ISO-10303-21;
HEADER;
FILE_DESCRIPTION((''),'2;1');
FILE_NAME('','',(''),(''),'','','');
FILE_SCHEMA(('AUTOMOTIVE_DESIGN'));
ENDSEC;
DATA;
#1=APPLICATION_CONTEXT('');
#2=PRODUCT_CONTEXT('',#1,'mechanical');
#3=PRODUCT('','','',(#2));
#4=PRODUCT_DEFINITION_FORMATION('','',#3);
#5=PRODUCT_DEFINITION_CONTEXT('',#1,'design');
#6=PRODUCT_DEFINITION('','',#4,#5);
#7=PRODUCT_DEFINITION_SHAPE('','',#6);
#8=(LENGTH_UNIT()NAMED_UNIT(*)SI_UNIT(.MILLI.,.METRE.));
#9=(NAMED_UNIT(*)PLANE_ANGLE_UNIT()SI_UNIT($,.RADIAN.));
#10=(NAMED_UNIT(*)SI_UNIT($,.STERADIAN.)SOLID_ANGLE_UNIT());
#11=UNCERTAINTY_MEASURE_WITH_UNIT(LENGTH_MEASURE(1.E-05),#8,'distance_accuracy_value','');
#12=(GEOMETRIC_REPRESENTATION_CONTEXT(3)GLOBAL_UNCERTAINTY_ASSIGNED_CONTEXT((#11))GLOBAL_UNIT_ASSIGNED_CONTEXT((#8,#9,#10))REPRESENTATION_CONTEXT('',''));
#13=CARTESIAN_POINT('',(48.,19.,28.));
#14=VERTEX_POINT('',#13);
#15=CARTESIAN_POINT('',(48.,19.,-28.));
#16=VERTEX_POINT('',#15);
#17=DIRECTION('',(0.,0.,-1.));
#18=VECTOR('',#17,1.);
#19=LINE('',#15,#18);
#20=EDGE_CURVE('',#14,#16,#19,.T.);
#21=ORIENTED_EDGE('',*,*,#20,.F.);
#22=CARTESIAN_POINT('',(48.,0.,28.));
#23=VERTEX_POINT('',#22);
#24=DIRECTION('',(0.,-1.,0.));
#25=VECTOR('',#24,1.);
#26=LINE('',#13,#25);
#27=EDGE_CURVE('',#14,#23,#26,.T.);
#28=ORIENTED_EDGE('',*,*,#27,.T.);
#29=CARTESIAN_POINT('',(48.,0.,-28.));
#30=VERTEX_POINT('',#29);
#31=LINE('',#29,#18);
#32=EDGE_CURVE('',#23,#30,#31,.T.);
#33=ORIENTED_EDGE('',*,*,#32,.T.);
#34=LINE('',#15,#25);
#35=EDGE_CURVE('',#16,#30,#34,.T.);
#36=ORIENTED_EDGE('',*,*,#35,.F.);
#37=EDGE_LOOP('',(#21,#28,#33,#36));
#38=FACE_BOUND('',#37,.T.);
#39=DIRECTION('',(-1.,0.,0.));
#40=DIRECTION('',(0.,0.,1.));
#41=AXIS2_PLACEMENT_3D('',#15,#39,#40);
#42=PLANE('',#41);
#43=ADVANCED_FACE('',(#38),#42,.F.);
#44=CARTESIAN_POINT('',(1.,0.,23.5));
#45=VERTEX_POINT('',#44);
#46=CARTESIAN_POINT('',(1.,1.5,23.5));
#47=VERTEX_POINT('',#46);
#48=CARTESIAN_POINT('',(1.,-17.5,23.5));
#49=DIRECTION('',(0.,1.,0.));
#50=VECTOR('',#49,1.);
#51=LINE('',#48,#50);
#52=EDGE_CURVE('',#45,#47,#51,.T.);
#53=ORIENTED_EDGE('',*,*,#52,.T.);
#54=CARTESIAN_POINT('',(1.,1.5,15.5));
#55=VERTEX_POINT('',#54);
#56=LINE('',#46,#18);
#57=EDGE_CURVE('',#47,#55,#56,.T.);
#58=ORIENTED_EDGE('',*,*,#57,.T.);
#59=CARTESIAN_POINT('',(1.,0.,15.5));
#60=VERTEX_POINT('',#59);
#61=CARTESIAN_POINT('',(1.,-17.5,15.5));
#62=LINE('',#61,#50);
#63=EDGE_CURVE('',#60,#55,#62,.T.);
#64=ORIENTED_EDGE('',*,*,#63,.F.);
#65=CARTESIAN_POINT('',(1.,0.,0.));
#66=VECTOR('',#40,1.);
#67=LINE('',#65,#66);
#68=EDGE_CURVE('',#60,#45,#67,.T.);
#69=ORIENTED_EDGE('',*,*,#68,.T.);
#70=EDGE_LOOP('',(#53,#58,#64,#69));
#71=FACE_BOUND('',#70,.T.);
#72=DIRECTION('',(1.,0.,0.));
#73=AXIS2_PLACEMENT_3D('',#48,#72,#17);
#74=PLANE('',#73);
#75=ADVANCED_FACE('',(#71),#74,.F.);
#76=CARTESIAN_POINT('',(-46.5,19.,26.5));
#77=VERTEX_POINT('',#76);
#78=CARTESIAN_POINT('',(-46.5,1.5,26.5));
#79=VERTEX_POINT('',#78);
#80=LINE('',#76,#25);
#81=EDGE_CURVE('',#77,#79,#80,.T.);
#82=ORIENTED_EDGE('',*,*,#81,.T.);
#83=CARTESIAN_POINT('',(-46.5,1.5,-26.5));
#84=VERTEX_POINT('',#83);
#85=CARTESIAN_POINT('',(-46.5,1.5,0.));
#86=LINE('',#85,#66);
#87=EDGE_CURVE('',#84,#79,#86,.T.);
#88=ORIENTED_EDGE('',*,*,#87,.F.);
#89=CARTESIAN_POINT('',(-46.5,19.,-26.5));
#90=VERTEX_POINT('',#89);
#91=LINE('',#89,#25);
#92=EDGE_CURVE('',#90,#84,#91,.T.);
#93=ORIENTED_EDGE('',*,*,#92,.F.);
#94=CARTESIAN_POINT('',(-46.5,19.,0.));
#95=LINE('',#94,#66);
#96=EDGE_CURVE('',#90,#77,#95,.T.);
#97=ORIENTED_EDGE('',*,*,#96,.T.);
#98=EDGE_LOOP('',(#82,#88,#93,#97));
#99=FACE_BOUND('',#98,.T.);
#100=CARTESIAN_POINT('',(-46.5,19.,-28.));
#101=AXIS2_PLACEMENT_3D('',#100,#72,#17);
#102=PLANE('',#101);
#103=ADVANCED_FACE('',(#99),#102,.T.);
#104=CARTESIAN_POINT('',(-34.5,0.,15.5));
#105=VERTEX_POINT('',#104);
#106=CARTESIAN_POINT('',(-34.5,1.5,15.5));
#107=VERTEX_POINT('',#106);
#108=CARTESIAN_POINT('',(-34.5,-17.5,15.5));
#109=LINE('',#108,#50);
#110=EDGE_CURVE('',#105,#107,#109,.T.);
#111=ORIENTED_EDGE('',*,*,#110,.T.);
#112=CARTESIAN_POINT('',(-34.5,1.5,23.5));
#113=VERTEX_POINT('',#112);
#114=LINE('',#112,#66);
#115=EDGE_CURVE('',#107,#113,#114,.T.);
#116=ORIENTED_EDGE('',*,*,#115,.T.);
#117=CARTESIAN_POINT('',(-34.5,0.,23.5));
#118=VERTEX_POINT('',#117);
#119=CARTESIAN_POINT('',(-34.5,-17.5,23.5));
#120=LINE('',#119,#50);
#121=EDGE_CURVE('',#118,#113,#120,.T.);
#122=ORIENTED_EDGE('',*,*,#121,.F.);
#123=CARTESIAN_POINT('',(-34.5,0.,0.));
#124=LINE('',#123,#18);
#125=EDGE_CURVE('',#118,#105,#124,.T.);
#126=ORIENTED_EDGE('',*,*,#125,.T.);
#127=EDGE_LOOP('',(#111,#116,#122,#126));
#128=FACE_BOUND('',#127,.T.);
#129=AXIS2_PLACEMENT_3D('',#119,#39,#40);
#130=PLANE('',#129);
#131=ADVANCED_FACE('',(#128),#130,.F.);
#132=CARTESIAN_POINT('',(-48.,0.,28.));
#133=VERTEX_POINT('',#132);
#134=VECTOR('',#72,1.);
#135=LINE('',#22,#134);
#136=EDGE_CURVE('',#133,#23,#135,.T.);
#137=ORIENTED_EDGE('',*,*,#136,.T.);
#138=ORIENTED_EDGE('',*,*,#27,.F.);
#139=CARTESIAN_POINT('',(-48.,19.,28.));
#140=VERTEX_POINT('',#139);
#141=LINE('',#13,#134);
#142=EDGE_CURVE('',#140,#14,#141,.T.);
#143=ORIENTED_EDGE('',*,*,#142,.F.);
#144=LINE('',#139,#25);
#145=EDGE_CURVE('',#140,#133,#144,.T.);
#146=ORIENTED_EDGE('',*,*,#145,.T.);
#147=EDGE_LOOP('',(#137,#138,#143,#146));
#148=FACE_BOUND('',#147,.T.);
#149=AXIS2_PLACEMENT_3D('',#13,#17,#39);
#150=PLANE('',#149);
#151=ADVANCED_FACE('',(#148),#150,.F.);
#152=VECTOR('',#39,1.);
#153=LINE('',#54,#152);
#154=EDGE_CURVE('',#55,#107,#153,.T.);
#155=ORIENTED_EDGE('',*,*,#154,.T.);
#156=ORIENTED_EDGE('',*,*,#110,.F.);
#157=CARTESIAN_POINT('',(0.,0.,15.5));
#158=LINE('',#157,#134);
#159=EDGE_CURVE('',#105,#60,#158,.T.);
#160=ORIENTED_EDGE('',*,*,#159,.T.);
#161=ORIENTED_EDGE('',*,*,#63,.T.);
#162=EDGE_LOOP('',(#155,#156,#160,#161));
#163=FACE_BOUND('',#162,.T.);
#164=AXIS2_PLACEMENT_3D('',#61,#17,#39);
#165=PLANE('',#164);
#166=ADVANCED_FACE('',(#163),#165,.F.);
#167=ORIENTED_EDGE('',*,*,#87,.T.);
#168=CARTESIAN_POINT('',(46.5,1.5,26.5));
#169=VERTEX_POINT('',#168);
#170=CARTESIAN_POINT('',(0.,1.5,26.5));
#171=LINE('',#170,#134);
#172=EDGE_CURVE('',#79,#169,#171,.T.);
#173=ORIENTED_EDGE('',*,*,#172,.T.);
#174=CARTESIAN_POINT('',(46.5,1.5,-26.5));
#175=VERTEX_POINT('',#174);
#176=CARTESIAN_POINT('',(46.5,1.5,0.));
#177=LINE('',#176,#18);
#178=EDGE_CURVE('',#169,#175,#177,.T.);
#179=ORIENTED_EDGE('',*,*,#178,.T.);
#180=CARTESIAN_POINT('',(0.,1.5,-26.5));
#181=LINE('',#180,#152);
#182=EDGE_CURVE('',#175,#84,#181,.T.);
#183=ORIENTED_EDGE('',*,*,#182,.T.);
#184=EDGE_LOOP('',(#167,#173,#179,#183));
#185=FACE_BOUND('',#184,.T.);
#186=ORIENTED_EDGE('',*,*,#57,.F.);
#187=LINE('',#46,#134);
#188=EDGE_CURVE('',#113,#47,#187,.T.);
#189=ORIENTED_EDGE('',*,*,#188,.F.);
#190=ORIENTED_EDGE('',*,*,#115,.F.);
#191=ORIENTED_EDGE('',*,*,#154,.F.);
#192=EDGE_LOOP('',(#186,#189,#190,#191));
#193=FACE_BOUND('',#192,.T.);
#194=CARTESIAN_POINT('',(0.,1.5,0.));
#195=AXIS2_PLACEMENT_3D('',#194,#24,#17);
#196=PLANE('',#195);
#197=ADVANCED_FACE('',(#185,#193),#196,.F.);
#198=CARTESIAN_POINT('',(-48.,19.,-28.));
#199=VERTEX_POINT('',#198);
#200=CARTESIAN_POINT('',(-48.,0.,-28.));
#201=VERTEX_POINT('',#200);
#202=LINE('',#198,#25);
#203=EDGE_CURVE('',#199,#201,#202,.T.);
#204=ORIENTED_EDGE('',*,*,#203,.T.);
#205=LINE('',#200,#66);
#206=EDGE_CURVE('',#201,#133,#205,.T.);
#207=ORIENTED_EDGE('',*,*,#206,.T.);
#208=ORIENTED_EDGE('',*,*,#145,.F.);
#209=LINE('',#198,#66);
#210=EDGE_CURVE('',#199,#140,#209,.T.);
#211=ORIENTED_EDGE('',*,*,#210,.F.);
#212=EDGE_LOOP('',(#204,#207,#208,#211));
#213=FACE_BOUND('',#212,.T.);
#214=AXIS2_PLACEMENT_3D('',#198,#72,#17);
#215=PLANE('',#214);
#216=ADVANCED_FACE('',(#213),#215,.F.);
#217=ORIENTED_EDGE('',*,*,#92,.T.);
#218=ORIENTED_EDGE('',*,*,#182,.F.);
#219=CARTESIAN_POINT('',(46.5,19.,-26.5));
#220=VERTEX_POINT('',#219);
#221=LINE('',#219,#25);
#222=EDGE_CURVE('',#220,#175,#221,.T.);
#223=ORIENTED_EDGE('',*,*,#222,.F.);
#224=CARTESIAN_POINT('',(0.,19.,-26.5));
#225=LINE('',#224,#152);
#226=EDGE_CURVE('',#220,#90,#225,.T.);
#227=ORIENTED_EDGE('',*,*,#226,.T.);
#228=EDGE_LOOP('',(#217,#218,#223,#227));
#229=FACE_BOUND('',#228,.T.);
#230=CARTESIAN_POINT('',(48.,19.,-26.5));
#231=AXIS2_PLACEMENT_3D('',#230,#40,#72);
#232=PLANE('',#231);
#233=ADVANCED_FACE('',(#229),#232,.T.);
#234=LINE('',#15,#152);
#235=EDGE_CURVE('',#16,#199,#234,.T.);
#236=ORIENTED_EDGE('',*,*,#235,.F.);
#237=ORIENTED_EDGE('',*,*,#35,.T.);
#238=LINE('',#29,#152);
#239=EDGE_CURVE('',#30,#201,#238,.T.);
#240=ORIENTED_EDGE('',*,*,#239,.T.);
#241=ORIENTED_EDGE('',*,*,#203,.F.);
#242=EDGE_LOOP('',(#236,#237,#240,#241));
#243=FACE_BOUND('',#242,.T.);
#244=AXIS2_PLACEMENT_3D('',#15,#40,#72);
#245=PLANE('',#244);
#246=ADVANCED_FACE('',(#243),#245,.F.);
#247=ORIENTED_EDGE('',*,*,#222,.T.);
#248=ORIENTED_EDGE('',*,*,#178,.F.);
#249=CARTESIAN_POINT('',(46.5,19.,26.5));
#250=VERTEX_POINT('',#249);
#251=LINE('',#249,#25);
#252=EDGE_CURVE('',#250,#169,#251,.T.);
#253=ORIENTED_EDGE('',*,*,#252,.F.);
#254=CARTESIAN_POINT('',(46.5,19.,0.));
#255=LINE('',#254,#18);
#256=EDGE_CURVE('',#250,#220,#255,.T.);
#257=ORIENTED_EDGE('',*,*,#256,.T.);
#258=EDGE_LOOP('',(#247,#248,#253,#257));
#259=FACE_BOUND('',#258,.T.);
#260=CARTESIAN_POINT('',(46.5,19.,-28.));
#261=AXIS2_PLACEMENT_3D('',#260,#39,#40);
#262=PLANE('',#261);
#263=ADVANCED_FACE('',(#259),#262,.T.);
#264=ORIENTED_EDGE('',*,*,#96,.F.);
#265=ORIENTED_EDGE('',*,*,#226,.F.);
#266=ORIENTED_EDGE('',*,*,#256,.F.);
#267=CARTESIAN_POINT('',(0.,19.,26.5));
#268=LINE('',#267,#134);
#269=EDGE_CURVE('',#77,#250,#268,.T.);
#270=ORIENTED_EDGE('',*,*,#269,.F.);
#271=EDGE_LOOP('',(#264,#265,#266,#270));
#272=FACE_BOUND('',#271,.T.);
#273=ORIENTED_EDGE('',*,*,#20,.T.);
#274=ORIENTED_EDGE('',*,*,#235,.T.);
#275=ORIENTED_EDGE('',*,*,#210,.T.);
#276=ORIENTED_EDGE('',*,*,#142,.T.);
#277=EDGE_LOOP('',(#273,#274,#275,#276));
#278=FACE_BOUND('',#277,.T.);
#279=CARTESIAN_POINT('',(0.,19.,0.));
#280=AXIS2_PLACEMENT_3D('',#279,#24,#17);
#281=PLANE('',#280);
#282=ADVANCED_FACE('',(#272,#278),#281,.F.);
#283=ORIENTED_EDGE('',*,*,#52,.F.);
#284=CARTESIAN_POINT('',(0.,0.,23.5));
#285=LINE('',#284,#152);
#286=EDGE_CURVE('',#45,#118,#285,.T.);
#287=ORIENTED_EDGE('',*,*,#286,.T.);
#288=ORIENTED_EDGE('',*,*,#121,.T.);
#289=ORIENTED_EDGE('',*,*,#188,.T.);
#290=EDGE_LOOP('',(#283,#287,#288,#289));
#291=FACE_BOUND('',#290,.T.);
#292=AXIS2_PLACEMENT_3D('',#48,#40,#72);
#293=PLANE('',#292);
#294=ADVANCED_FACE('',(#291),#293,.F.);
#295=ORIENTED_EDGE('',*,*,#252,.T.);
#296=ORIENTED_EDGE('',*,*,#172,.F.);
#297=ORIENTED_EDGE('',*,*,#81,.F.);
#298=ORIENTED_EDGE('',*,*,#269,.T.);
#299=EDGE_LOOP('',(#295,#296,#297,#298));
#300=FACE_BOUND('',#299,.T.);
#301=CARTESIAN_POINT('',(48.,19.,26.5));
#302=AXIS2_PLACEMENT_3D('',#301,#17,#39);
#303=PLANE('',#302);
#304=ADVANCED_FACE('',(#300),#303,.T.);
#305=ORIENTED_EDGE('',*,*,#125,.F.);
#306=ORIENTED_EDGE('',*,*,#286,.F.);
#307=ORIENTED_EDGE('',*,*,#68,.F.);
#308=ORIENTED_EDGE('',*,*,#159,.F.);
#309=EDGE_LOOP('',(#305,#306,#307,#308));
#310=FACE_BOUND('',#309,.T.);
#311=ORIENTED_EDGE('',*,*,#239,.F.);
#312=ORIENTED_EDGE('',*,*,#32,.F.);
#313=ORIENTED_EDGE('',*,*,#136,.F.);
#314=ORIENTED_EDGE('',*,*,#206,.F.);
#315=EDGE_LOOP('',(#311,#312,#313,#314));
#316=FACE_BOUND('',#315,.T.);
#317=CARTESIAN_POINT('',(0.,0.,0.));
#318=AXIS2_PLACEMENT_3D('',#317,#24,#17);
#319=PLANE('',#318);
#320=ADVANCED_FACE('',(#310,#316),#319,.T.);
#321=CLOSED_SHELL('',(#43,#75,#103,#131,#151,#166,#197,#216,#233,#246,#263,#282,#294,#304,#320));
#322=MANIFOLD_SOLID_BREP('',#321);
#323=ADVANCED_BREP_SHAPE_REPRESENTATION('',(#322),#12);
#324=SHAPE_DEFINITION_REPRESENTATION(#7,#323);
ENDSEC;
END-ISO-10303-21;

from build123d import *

# Parameters (mm, degrees)
SKETCH1_W           = 96
SKETCH1_H           = 56
BOSS_EXTRUDE1_DEPTH = 19
SHELL1_T            = -1.5
SKETCH2_W           = 35.5
SKETCH2_H           = 8
CUT_EXTRUDE2_DEPTH  = 19


with BuildPart() as part:
    # Sketch1 → Boss-Extrude1 (new body)
    with BuildSketch(Plane(origin=(0, 0, 0), x_dir=(1, 0, 0), z_dir=(0, 1, 0))):
        Rectangle(SKETCH1_W, SKETCH1_H)
    extrude(amount=BOSS_EXTRUDE1_DEPTH)

    # Shell1
    shell1_openings = [part.faces().sort_by_distance(p)[0] for p in [
        (0, 19, 0),
    ]]
    offset(amount=SHELL1_T, openings=shell1_openings, kind=Kind.INTERSECTION)

    # Sketch2 → Cut-Extrude2 (cut)
    with BuildSketch(Plane(origin=(0, 1.5, 0), x_dir=(1, 0, 0), z_dir=(0, 1, 0))):
        with Locations((-16.75, -19.5)):
            Rectangle(SKETCH2_W, SKETCH2_H)
    extrude(amount=-CUT_EXTRUDE2_DEPTH, mode=Mode.SUBTRACT)


solid = part.part
